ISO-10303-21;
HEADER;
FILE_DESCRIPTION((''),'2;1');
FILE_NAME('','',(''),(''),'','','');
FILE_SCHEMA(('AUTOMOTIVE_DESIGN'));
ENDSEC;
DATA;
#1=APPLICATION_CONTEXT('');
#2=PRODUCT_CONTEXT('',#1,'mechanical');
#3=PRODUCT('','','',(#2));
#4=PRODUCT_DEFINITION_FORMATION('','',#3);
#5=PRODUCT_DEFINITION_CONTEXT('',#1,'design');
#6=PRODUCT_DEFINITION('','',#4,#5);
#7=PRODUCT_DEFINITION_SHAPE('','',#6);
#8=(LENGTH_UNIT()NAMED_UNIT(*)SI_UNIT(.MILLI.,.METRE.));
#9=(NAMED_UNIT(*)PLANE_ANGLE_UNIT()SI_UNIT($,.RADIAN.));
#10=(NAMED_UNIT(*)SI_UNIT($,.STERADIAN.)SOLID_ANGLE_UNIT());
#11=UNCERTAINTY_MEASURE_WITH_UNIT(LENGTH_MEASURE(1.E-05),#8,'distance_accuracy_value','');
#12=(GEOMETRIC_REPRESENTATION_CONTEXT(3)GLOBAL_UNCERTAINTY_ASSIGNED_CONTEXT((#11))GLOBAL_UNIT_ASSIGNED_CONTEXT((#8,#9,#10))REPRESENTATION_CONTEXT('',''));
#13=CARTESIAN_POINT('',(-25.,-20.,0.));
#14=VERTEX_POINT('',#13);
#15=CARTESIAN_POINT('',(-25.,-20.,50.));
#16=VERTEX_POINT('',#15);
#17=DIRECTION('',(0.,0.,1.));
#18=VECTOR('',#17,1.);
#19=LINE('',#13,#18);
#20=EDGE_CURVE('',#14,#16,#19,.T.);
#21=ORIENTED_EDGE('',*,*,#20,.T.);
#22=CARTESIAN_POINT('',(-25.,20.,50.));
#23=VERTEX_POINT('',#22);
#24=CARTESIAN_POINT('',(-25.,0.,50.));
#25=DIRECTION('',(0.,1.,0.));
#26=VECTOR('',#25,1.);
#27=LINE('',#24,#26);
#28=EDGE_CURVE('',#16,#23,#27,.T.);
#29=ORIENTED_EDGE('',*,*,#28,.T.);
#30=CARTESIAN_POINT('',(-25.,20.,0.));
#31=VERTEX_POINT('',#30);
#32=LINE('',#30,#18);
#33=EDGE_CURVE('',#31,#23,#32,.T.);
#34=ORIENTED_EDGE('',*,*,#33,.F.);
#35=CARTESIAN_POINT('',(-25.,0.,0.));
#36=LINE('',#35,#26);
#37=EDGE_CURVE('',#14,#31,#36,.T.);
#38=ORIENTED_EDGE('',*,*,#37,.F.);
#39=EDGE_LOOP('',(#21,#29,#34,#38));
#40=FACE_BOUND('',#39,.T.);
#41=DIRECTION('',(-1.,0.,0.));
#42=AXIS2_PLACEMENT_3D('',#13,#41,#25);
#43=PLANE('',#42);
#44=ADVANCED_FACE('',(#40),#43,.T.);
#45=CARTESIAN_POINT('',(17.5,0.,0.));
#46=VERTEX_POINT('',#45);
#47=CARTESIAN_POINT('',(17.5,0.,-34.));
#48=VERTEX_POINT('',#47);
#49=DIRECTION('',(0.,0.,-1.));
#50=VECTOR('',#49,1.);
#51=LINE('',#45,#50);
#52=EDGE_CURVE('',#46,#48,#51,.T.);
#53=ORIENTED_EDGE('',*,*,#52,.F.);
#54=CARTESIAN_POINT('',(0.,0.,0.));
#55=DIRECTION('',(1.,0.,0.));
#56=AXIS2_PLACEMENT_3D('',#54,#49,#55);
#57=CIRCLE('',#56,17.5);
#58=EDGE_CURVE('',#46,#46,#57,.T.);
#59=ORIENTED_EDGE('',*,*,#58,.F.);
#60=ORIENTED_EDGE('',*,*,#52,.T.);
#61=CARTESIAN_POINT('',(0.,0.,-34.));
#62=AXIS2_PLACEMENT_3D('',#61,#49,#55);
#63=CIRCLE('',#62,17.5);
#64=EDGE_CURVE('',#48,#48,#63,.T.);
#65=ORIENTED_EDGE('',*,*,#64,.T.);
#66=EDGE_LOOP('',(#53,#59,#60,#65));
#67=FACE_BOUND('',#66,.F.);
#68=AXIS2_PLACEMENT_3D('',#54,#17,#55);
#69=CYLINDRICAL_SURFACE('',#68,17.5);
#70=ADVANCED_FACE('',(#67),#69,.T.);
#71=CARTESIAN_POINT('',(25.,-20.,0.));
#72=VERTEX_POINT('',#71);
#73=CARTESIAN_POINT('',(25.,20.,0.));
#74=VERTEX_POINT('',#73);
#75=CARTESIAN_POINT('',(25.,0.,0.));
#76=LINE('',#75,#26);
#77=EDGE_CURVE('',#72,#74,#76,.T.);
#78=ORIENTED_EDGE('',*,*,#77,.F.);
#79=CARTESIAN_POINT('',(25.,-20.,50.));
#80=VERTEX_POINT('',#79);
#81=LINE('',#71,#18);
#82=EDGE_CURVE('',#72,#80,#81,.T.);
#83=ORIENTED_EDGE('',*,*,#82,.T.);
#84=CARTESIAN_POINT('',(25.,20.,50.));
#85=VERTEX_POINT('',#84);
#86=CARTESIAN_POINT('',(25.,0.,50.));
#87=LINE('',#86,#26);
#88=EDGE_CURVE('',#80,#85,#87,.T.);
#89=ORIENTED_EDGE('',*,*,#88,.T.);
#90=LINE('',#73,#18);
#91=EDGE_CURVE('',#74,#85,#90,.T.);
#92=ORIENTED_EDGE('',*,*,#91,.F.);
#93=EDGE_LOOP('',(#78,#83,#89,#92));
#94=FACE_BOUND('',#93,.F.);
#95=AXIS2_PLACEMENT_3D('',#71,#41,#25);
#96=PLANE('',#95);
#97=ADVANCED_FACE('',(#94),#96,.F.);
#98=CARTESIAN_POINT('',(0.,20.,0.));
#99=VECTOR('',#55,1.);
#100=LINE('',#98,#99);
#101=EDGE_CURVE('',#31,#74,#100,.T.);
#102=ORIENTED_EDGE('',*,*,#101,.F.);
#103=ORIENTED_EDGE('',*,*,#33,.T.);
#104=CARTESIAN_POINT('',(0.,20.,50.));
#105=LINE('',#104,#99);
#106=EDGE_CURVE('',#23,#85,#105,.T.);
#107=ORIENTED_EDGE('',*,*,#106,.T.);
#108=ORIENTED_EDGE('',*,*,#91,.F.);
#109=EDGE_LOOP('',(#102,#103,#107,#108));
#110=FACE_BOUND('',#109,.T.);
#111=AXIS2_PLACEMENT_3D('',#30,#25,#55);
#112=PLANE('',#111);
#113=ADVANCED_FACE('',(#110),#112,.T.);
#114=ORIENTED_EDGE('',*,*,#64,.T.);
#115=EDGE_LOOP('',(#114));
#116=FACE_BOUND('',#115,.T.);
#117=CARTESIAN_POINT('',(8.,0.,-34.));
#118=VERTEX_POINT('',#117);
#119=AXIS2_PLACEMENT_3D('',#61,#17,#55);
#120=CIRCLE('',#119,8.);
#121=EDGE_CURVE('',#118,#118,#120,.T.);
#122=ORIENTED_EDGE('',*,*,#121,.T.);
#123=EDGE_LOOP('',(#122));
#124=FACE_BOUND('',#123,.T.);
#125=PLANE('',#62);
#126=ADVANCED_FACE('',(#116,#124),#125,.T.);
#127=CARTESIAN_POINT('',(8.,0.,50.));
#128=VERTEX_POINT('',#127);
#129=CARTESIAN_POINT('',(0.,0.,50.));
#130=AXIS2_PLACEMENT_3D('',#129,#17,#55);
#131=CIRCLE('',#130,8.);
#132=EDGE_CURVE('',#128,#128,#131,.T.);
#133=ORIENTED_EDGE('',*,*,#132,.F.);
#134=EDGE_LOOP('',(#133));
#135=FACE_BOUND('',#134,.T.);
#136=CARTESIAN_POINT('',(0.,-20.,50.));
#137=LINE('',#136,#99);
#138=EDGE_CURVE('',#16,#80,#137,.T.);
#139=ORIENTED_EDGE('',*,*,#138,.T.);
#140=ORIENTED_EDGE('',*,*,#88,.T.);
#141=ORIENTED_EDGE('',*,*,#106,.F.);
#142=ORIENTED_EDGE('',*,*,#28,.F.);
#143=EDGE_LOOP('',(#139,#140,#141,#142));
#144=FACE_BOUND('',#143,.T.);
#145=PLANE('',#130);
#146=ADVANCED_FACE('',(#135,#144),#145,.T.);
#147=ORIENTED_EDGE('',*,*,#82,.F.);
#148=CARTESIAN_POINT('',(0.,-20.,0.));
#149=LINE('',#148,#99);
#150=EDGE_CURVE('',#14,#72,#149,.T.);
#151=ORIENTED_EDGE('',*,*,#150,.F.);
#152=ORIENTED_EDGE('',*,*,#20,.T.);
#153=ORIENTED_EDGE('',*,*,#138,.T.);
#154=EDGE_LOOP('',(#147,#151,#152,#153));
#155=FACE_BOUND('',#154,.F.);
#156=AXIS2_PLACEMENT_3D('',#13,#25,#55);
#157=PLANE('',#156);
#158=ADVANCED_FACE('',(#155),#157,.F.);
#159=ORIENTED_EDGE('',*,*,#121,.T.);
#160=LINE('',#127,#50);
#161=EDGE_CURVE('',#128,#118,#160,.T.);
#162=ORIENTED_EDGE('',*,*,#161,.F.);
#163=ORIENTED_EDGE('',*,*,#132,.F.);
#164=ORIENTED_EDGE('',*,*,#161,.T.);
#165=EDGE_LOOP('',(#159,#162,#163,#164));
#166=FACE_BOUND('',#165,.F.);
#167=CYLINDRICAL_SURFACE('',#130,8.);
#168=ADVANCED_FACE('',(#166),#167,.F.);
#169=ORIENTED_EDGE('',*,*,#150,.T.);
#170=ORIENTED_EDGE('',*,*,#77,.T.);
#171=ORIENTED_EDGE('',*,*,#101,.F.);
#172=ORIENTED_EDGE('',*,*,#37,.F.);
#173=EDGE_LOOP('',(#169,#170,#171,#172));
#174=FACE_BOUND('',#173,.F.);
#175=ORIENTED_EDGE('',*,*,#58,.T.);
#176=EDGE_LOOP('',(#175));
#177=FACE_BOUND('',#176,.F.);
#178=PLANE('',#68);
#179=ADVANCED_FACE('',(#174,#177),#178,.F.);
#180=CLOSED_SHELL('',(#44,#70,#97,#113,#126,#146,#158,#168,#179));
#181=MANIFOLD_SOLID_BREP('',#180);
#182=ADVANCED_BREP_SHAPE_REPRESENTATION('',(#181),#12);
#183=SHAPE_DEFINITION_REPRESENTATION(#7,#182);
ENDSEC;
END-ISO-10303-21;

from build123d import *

# Parameters (mm, degrees)
F0_W     = 50
F0_H     = 40
F1_DEPTH = 50
F2_R     = 17.5
F3_DEPTH = 34
F4_R     = 8
F5_DEPTH = 84.001


with BuildPart() as f1:
    # F0 (on Top) → F1 (new body)
    with BuildSketch(Plane.XY):
        Rectangle(F0_W, F0_H)
    extrude(amount=F1_DEPTH)

    # F2 (on face) → F3 (join)
    with BuildSketch(Plane(origin=(0, 0, 0), x_dir=(1, 0, 0), z_dir=(0, 0, -1))):
        Circle(F2_R)
    extrude(amount=F3_DEPTH)

    # F4 (on face) → F5 (cut, through all)
    with BuildSketch(Plane.XY.offset(50)):
        Circle(F4_R)
    extrude(amount=-F5_DEPTH, mode=Mode.SUBTRACT)


solid = f1.part
